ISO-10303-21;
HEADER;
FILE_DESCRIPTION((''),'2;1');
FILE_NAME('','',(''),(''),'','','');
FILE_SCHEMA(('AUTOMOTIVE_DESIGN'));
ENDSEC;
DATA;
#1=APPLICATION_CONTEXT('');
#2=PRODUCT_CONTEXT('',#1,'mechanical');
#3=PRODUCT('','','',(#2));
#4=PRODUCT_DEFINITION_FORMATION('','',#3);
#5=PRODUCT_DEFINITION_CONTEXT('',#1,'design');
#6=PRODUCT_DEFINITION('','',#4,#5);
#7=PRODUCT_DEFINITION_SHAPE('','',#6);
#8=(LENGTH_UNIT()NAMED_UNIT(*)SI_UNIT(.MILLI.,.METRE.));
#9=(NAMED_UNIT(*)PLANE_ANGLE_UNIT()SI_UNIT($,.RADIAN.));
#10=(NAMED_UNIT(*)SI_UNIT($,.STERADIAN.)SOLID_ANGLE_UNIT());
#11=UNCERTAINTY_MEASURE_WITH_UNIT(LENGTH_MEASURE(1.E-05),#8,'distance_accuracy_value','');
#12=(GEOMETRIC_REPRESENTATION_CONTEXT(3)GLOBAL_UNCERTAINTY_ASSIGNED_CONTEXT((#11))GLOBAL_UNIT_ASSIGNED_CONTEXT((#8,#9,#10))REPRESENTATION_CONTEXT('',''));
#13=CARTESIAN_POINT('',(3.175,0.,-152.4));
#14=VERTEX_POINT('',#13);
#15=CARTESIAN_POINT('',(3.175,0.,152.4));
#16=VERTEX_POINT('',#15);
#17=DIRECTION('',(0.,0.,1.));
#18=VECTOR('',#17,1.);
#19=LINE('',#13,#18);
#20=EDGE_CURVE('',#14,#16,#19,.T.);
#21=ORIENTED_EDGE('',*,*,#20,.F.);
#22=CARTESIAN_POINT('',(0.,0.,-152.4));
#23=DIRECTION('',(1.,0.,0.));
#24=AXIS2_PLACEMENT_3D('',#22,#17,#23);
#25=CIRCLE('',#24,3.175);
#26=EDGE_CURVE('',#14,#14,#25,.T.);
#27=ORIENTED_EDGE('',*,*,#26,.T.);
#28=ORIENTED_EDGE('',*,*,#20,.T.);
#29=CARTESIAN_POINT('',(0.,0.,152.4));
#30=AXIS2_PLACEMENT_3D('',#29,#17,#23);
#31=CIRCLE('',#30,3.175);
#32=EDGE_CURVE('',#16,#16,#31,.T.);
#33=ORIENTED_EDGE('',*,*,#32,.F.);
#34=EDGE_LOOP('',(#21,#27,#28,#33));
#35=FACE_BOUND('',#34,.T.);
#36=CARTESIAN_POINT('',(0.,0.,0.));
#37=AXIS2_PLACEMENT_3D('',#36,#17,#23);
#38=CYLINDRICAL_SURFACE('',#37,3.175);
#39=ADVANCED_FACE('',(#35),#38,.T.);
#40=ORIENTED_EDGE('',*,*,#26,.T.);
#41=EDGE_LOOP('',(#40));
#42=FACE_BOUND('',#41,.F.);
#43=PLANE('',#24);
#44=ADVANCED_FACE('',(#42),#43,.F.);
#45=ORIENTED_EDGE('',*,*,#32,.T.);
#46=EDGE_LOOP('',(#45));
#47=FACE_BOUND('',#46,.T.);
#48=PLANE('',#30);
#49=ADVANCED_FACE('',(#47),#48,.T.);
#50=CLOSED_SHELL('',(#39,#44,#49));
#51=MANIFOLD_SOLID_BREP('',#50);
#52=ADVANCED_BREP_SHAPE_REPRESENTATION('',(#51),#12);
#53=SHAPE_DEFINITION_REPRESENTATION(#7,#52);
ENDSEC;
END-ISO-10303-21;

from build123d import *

# Parameters (mm, degrees)
SKETCH1_R           = 3.175
BOSS_EXTRUDE1_DEPTH = 152.4


with BuildPart() as part:
    # Sketch1 → Boss-Extrude1 (new body, symmetric)
    with BuildSketch(Plane.XY):
        Circle(SKETCH1_R)
    extrude(amount=BOSS_EXTRUDE1_DEPTH, both=True)


solid = part.part
